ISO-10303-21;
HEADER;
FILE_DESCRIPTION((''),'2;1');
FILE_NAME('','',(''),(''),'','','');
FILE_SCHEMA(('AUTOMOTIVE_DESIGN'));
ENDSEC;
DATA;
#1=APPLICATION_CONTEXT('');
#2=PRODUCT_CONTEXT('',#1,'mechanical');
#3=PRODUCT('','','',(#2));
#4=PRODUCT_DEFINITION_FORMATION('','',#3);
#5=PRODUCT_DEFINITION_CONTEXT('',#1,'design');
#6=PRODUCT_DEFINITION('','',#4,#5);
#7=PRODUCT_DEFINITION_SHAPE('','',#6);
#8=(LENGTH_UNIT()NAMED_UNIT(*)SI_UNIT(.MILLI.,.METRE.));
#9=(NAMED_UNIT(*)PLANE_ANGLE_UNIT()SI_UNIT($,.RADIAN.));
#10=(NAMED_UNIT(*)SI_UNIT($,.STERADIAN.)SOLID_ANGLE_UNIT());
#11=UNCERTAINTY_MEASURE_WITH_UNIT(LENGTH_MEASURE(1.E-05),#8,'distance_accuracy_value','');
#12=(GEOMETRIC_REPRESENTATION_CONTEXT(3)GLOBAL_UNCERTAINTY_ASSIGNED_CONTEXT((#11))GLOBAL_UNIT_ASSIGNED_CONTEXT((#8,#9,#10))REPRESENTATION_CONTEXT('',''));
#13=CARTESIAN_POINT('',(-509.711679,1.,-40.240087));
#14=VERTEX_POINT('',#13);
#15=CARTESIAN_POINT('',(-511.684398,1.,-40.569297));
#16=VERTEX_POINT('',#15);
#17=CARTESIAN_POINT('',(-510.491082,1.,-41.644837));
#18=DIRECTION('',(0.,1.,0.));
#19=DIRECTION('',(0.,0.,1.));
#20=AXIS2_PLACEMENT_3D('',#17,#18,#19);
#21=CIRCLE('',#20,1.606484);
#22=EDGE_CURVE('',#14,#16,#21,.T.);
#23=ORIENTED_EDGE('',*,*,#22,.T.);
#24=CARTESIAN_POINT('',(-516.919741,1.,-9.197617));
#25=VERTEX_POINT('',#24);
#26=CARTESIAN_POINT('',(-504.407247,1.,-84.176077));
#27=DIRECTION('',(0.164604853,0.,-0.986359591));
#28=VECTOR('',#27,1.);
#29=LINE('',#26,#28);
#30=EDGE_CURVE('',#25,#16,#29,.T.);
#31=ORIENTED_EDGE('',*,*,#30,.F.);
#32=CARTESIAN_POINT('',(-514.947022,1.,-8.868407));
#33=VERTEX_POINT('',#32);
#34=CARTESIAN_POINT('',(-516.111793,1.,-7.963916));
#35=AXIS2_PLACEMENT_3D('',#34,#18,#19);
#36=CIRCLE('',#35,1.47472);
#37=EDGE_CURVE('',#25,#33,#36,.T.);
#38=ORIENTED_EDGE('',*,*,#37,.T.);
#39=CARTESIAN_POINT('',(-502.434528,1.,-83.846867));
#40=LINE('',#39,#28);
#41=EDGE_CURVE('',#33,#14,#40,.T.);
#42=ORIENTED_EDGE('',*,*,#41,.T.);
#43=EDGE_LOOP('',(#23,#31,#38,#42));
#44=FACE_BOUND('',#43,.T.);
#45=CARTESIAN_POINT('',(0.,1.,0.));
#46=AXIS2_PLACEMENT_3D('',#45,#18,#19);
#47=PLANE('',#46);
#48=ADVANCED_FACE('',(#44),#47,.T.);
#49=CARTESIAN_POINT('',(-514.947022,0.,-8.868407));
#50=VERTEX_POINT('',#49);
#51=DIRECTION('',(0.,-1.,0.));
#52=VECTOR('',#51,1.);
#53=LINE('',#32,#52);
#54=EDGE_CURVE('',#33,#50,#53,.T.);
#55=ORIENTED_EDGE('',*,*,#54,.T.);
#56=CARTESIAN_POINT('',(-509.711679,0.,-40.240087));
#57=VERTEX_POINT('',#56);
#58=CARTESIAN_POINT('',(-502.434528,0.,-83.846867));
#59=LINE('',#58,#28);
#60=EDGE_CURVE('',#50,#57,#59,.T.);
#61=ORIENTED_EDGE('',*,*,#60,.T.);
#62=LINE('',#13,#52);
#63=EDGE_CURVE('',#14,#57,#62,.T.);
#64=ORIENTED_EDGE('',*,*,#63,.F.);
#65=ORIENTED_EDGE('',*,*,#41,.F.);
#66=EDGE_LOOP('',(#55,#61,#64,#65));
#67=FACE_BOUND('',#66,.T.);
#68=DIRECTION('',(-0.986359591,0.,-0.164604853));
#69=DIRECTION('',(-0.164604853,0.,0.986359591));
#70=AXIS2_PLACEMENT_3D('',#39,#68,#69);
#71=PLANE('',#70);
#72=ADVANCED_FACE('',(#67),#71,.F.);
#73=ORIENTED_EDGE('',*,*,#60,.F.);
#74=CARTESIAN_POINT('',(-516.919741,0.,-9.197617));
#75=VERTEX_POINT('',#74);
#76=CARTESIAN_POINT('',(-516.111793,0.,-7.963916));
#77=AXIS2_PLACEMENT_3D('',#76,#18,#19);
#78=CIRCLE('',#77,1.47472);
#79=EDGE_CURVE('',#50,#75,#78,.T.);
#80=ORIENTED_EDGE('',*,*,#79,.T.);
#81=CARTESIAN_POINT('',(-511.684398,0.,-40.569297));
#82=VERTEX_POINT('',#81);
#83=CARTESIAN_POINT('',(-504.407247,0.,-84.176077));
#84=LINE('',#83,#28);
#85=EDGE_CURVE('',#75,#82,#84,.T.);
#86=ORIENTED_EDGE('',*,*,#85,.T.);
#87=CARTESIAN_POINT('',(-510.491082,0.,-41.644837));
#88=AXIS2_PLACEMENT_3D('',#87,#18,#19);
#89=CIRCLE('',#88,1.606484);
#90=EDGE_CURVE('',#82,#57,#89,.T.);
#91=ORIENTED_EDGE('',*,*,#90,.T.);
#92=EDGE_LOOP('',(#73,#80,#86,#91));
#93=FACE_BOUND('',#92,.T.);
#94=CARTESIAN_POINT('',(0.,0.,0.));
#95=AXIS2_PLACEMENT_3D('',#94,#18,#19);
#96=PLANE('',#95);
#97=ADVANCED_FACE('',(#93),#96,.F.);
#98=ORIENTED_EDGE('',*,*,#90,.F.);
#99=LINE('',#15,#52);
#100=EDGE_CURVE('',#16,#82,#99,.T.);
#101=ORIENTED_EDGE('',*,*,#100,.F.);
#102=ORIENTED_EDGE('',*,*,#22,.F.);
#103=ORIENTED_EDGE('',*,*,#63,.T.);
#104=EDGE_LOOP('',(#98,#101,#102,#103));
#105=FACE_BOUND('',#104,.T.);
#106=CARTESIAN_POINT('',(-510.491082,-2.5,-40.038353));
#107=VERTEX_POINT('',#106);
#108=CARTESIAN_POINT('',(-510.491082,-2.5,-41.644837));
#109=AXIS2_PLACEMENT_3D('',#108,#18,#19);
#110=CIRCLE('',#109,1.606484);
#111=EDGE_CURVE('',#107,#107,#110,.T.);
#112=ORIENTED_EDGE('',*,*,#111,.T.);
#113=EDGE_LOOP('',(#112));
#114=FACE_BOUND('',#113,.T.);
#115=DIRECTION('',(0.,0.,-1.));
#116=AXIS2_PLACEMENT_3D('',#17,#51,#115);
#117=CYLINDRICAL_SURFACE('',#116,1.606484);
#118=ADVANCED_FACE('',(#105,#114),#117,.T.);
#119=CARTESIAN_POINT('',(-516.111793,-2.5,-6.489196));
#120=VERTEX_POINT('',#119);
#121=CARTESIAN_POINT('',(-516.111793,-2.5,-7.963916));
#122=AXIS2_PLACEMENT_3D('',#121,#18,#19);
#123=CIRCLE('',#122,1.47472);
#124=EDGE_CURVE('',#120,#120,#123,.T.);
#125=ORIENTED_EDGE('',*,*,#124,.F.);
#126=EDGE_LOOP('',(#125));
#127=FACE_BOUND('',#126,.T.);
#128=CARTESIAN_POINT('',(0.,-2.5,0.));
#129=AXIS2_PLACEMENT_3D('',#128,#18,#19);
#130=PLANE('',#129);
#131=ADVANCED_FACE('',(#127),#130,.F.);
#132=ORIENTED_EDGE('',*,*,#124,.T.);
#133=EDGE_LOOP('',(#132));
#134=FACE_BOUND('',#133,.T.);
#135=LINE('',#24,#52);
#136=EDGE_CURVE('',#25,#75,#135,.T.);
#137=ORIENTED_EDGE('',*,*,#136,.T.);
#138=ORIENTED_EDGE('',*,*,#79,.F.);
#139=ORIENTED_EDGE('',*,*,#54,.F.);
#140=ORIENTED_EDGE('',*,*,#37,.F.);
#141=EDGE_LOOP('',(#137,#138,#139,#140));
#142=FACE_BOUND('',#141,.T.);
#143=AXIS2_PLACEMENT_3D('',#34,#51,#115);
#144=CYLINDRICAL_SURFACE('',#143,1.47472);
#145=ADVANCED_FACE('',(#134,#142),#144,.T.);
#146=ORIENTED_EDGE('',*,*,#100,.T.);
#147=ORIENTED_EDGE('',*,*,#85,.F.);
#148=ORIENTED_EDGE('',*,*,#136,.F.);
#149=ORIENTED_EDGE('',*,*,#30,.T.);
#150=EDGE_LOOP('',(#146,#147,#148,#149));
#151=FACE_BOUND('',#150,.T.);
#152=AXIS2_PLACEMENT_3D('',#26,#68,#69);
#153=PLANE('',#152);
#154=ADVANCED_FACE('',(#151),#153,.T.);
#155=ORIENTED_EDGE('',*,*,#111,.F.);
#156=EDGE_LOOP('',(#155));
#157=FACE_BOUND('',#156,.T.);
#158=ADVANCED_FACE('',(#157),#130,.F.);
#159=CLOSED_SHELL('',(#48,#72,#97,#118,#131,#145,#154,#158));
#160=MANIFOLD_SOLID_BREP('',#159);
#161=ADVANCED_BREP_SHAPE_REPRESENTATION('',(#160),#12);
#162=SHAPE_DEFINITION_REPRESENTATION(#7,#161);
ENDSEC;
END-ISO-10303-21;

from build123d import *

# Parameters (mm, degrees)
SKETCH1_R           = 1.606483672
SKETCH1_R_2         = 1.474719506
BOSS_EXTRUDE1_DEPTH = 1
BOSS_EXTRUDE2_START = -2.5
SKETCH1_3_R         = 1.474719506
SKETCH1_3_R_2       = 1.606483672
BOSS_EXTRUDE2_DEPTH = 2.5


with BuildPart() as part:
    # Sketch1 → Boss-Extrude1 (new body)
    with BuildSketch(Plane(origin=(0, 0, 0), x_dir=(1, 0, 0), z_dir=(0, 1, 0))):
        with BuildLine():
            ThreePointArc((-516.919741048, 9.197616983), (-515.869047512, 9.418519621), (-514.947021866, 8.868407277))
            Line((-514.947021866, 8.868407277), (-509.711678857, 40.240087315))
            ThreePointArc((-509.711678857, 40.240087315), (-510.755516658, 40.060266208), (-511.684398038, 40.569297021))
            Line((-511.684398038, 40.569297021), (-516.919741048, 9.197616983))
        make_face()
        with Locations((-510.491081649, 41.644836785)):
            Circle(SKETCH1_R)
        with Locations((-516.1117935, 7.963915892)):
            Circle(SKETCH1_R_2)
    extrude(amount=BOSS_EXTRUDE1_DEPTH)

    # Sketch1<3> → Boss-Extrude2 (add)
    with BuildSketch(Plane(origin=(0, 0, 0), x_dir=(1, 0, 0), z_dir=(0, 1, 0)).offset(BOSS_EXTRUDE2_START)):
        with Locations((-516.1117935, 7.963915892)):
            Circle(SKETCH1_3_R)
        with Locations((-510.491081649, 41.644836785)):
            Circle(SKETCH1_3_R_2)
    extrude(amount=BOSS_EXTRUDE2_DEPTH)


solid = part.part
